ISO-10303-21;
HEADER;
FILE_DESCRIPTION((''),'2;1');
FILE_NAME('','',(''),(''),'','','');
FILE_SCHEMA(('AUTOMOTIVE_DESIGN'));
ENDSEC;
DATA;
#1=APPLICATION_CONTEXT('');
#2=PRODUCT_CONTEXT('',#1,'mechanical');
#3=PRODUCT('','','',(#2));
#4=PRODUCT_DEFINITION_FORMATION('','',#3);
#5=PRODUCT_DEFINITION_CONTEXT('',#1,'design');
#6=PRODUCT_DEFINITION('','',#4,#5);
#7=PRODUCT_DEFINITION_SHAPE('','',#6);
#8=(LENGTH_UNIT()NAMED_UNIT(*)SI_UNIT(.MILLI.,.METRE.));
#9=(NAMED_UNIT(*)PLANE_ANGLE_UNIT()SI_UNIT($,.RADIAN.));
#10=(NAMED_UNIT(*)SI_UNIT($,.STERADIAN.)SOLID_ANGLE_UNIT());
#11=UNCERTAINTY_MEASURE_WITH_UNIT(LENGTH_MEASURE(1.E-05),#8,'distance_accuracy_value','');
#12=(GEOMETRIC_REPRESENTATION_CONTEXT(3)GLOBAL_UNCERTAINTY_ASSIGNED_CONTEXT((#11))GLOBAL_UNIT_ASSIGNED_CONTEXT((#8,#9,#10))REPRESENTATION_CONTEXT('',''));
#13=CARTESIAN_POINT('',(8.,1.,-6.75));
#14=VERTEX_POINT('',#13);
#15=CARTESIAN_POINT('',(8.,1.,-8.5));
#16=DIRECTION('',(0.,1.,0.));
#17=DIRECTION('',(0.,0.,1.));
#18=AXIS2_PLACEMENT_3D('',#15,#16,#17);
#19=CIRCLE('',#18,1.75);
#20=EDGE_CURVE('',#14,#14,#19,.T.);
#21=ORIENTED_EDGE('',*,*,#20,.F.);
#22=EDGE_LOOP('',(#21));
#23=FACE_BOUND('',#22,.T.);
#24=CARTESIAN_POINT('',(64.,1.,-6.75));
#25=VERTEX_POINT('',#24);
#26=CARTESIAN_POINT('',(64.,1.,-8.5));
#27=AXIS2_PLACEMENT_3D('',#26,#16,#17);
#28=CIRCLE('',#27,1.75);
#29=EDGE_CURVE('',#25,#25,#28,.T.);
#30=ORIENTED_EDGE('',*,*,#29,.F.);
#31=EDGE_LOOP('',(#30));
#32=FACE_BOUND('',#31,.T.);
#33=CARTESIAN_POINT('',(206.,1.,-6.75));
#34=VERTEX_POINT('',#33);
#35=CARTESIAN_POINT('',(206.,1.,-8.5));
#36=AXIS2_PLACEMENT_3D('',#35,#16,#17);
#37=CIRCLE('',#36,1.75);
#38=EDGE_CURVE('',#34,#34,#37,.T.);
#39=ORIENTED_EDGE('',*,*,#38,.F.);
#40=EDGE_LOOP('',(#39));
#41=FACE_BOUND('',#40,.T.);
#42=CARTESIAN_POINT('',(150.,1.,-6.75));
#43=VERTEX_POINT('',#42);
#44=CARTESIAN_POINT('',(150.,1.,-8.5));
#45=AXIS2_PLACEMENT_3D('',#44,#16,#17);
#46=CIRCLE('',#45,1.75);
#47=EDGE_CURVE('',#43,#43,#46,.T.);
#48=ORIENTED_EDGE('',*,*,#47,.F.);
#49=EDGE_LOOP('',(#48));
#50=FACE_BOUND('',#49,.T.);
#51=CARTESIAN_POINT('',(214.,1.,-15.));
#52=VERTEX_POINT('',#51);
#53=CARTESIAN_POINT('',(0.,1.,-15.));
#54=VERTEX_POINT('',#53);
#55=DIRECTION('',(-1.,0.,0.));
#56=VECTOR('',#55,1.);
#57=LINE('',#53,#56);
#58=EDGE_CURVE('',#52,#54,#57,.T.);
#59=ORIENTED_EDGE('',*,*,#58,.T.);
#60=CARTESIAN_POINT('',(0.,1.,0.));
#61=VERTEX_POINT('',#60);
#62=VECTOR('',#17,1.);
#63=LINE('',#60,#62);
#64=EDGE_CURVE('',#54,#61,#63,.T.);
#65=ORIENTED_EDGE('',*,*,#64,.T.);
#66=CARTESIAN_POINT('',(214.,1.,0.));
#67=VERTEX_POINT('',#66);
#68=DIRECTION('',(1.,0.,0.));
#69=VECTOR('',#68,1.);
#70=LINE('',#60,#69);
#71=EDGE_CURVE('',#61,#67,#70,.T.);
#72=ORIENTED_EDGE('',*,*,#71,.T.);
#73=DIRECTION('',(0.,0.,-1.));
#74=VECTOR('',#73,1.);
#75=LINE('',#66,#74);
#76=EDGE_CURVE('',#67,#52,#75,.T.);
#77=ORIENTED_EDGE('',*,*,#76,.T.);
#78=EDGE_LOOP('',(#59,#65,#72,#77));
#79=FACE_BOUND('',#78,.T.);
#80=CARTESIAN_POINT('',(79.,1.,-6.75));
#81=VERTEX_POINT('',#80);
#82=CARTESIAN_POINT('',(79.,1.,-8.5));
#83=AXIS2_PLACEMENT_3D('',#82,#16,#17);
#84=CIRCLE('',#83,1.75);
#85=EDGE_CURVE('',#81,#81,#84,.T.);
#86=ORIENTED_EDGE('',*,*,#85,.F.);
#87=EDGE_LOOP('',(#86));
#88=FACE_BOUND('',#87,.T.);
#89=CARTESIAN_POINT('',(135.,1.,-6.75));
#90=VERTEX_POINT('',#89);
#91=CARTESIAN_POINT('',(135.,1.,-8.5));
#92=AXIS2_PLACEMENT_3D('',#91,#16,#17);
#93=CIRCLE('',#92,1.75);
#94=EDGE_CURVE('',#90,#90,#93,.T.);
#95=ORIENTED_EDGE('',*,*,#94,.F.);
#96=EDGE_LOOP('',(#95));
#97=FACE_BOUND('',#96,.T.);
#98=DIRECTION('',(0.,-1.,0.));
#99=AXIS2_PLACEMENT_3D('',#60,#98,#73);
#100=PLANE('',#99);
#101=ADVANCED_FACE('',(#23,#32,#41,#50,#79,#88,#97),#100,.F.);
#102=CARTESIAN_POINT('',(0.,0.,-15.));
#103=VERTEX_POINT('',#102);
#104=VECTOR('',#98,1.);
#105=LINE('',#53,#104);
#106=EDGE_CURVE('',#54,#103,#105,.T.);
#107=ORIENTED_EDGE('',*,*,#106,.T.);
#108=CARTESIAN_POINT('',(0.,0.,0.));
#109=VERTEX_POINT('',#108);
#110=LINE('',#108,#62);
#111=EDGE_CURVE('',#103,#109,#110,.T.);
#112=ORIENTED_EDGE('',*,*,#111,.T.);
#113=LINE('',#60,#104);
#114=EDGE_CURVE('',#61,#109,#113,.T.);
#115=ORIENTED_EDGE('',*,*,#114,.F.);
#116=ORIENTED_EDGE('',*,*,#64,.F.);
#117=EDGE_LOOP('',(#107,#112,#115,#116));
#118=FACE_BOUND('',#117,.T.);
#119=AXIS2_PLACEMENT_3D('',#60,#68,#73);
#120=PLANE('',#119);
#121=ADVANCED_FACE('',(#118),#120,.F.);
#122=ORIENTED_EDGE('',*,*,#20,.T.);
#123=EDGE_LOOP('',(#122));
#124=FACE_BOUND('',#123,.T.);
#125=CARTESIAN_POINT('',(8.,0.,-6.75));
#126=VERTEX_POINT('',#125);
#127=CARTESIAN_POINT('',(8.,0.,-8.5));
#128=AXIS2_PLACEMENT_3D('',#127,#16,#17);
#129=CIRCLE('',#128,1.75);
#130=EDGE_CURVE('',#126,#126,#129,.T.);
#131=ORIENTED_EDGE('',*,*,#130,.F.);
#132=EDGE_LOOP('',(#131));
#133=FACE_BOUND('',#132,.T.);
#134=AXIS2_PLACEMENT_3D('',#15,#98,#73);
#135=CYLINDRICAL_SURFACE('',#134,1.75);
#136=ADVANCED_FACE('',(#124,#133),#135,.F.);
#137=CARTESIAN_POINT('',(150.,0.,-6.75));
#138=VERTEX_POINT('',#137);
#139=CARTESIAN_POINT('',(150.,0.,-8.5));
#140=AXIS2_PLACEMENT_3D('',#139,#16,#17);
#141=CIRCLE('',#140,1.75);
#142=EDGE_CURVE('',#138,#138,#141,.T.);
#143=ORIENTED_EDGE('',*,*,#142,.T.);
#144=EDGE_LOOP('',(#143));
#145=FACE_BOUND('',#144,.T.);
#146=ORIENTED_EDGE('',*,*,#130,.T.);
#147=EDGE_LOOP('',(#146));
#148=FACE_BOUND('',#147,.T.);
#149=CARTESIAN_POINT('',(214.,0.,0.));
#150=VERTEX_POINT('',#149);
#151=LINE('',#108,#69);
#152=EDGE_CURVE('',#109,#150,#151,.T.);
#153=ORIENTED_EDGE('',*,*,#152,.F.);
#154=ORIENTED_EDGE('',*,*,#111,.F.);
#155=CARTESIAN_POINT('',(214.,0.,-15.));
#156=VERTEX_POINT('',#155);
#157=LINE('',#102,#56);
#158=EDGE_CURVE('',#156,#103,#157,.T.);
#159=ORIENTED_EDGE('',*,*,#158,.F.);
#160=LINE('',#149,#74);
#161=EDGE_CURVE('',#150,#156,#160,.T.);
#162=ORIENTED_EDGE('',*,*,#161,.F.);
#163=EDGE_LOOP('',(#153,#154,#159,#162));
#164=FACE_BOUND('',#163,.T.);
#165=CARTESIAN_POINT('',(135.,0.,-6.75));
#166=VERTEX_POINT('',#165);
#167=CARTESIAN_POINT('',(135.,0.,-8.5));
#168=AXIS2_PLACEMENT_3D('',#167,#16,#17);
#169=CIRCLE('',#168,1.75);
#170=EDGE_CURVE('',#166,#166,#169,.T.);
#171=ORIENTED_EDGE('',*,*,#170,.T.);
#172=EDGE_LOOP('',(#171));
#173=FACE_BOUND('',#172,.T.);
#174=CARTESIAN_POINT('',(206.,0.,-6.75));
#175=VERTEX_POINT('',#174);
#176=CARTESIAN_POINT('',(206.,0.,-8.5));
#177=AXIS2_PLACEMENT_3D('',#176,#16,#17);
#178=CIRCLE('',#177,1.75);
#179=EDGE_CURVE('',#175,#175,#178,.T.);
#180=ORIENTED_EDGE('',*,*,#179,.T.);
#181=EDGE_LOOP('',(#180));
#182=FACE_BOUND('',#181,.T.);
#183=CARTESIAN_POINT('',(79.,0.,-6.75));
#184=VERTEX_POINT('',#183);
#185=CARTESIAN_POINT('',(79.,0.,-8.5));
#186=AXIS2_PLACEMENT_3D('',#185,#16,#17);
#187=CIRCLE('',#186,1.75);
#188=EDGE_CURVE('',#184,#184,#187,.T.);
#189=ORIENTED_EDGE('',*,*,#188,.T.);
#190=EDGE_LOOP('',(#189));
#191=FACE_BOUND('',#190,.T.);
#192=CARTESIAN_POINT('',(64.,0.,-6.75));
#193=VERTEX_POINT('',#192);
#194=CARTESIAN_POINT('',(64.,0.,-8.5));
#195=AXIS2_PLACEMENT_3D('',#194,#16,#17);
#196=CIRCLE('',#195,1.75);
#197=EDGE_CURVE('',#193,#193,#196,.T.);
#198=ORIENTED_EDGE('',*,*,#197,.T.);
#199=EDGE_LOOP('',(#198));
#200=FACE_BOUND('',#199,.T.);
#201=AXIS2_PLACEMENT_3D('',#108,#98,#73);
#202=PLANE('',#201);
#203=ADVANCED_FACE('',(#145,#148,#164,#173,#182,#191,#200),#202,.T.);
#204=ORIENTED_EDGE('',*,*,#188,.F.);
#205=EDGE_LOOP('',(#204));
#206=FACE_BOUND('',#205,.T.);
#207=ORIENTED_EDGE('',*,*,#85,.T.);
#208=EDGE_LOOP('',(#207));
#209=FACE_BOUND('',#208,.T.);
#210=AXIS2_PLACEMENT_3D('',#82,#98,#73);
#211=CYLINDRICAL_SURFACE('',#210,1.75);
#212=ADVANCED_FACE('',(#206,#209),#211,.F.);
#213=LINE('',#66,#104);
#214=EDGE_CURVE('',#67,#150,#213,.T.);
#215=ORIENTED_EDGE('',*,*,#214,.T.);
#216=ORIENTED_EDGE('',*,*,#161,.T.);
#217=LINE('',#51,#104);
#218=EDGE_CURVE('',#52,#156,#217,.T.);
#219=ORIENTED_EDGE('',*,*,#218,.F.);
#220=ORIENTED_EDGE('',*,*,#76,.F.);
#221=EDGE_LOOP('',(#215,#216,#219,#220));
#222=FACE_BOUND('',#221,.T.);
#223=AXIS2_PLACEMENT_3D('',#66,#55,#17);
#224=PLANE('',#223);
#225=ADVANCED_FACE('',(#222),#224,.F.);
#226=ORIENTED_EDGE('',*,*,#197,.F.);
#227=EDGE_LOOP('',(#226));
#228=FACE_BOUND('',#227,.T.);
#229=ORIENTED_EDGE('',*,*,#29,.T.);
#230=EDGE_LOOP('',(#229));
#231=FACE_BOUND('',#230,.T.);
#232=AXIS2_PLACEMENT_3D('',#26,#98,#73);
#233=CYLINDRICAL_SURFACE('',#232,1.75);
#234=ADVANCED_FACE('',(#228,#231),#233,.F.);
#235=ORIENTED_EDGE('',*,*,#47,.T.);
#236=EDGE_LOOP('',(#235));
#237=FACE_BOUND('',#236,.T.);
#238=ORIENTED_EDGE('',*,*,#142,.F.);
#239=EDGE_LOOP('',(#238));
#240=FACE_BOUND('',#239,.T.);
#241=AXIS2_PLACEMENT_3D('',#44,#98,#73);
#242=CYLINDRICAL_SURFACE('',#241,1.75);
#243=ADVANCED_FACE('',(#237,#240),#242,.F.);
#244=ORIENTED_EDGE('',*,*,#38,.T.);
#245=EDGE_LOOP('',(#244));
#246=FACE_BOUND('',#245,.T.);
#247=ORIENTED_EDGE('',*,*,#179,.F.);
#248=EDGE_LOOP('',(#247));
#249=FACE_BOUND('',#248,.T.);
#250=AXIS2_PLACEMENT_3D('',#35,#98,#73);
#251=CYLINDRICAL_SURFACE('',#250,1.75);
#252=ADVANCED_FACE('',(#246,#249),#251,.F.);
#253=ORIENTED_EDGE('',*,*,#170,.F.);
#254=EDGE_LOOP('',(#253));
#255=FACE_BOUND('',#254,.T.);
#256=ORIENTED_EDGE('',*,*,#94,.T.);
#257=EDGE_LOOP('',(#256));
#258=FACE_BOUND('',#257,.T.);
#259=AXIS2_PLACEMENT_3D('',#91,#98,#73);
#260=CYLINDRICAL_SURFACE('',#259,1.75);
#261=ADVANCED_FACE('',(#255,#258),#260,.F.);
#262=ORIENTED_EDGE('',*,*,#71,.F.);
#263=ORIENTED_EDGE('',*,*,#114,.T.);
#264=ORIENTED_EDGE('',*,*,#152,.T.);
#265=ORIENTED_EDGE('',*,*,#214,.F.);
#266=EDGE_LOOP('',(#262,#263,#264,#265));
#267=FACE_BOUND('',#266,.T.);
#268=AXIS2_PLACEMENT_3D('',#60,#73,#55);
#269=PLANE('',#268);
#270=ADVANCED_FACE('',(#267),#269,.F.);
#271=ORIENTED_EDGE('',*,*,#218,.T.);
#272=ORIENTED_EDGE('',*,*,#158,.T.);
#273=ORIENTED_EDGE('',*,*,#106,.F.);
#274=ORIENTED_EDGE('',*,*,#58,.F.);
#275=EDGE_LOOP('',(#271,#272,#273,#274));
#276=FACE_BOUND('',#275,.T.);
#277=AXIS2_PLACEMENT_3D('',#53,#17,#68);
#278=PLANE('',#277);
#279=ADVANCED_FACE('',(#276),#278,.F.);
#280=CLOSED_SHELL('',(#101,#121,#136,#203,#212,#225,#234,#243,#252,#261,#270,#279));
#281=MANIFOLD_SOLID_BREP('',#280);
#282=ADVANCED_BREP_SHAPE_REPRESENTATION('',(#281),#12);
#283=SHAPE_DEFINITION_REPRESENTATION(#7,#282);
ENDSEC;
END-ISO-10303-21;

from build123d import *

# Parameters (mm, degrees)
SKETCH_1_W      = 214
SKETCH_1_H      = 15
SKETCH_1_R      = 1.75
EXTRUDE_1_DEPTH = 1


with BuildPart() as part:
    # Эскиз1 → Бобышка-Вытянуть1 (new body)
    with BuildSketch(Plane(origin=(0, 0, 0), x_dir=(1, 0, 0), z_dir=(0, 1, 0))):
        with Locations((107, 7.5)):
            Rectangle(SKETCH_1_W, SKETCH_1_H)
        with Locations((64, 8.5)):
            Circle(SKETCH_1_R, mode=Mode.SUBTRACT)
        with Locations((8, 8.5)):
            Circle(SKETCH_1_R, mode=Mode.SUBTRACT)
        with Locations((79, 8.5)):
            Circle(SKETCH_1_R, mode=Mode.SUBTRACT)
        with Locations((135, 8.5)):
            Circle(SKETCH_1_R, mode=Mode.SUBTRACT)
        with Locations((150, 8.5)):
            Circle(SKETCH_1_R, mode=Mode.SUBTRACT)
        with Locations((206, 8.5)):
            Circle(SKETCH_1_R, mode=Mode.SUBTRACT)
    extrude(amount=EXTRUDE_1_DEPTH)


solid = part.part
